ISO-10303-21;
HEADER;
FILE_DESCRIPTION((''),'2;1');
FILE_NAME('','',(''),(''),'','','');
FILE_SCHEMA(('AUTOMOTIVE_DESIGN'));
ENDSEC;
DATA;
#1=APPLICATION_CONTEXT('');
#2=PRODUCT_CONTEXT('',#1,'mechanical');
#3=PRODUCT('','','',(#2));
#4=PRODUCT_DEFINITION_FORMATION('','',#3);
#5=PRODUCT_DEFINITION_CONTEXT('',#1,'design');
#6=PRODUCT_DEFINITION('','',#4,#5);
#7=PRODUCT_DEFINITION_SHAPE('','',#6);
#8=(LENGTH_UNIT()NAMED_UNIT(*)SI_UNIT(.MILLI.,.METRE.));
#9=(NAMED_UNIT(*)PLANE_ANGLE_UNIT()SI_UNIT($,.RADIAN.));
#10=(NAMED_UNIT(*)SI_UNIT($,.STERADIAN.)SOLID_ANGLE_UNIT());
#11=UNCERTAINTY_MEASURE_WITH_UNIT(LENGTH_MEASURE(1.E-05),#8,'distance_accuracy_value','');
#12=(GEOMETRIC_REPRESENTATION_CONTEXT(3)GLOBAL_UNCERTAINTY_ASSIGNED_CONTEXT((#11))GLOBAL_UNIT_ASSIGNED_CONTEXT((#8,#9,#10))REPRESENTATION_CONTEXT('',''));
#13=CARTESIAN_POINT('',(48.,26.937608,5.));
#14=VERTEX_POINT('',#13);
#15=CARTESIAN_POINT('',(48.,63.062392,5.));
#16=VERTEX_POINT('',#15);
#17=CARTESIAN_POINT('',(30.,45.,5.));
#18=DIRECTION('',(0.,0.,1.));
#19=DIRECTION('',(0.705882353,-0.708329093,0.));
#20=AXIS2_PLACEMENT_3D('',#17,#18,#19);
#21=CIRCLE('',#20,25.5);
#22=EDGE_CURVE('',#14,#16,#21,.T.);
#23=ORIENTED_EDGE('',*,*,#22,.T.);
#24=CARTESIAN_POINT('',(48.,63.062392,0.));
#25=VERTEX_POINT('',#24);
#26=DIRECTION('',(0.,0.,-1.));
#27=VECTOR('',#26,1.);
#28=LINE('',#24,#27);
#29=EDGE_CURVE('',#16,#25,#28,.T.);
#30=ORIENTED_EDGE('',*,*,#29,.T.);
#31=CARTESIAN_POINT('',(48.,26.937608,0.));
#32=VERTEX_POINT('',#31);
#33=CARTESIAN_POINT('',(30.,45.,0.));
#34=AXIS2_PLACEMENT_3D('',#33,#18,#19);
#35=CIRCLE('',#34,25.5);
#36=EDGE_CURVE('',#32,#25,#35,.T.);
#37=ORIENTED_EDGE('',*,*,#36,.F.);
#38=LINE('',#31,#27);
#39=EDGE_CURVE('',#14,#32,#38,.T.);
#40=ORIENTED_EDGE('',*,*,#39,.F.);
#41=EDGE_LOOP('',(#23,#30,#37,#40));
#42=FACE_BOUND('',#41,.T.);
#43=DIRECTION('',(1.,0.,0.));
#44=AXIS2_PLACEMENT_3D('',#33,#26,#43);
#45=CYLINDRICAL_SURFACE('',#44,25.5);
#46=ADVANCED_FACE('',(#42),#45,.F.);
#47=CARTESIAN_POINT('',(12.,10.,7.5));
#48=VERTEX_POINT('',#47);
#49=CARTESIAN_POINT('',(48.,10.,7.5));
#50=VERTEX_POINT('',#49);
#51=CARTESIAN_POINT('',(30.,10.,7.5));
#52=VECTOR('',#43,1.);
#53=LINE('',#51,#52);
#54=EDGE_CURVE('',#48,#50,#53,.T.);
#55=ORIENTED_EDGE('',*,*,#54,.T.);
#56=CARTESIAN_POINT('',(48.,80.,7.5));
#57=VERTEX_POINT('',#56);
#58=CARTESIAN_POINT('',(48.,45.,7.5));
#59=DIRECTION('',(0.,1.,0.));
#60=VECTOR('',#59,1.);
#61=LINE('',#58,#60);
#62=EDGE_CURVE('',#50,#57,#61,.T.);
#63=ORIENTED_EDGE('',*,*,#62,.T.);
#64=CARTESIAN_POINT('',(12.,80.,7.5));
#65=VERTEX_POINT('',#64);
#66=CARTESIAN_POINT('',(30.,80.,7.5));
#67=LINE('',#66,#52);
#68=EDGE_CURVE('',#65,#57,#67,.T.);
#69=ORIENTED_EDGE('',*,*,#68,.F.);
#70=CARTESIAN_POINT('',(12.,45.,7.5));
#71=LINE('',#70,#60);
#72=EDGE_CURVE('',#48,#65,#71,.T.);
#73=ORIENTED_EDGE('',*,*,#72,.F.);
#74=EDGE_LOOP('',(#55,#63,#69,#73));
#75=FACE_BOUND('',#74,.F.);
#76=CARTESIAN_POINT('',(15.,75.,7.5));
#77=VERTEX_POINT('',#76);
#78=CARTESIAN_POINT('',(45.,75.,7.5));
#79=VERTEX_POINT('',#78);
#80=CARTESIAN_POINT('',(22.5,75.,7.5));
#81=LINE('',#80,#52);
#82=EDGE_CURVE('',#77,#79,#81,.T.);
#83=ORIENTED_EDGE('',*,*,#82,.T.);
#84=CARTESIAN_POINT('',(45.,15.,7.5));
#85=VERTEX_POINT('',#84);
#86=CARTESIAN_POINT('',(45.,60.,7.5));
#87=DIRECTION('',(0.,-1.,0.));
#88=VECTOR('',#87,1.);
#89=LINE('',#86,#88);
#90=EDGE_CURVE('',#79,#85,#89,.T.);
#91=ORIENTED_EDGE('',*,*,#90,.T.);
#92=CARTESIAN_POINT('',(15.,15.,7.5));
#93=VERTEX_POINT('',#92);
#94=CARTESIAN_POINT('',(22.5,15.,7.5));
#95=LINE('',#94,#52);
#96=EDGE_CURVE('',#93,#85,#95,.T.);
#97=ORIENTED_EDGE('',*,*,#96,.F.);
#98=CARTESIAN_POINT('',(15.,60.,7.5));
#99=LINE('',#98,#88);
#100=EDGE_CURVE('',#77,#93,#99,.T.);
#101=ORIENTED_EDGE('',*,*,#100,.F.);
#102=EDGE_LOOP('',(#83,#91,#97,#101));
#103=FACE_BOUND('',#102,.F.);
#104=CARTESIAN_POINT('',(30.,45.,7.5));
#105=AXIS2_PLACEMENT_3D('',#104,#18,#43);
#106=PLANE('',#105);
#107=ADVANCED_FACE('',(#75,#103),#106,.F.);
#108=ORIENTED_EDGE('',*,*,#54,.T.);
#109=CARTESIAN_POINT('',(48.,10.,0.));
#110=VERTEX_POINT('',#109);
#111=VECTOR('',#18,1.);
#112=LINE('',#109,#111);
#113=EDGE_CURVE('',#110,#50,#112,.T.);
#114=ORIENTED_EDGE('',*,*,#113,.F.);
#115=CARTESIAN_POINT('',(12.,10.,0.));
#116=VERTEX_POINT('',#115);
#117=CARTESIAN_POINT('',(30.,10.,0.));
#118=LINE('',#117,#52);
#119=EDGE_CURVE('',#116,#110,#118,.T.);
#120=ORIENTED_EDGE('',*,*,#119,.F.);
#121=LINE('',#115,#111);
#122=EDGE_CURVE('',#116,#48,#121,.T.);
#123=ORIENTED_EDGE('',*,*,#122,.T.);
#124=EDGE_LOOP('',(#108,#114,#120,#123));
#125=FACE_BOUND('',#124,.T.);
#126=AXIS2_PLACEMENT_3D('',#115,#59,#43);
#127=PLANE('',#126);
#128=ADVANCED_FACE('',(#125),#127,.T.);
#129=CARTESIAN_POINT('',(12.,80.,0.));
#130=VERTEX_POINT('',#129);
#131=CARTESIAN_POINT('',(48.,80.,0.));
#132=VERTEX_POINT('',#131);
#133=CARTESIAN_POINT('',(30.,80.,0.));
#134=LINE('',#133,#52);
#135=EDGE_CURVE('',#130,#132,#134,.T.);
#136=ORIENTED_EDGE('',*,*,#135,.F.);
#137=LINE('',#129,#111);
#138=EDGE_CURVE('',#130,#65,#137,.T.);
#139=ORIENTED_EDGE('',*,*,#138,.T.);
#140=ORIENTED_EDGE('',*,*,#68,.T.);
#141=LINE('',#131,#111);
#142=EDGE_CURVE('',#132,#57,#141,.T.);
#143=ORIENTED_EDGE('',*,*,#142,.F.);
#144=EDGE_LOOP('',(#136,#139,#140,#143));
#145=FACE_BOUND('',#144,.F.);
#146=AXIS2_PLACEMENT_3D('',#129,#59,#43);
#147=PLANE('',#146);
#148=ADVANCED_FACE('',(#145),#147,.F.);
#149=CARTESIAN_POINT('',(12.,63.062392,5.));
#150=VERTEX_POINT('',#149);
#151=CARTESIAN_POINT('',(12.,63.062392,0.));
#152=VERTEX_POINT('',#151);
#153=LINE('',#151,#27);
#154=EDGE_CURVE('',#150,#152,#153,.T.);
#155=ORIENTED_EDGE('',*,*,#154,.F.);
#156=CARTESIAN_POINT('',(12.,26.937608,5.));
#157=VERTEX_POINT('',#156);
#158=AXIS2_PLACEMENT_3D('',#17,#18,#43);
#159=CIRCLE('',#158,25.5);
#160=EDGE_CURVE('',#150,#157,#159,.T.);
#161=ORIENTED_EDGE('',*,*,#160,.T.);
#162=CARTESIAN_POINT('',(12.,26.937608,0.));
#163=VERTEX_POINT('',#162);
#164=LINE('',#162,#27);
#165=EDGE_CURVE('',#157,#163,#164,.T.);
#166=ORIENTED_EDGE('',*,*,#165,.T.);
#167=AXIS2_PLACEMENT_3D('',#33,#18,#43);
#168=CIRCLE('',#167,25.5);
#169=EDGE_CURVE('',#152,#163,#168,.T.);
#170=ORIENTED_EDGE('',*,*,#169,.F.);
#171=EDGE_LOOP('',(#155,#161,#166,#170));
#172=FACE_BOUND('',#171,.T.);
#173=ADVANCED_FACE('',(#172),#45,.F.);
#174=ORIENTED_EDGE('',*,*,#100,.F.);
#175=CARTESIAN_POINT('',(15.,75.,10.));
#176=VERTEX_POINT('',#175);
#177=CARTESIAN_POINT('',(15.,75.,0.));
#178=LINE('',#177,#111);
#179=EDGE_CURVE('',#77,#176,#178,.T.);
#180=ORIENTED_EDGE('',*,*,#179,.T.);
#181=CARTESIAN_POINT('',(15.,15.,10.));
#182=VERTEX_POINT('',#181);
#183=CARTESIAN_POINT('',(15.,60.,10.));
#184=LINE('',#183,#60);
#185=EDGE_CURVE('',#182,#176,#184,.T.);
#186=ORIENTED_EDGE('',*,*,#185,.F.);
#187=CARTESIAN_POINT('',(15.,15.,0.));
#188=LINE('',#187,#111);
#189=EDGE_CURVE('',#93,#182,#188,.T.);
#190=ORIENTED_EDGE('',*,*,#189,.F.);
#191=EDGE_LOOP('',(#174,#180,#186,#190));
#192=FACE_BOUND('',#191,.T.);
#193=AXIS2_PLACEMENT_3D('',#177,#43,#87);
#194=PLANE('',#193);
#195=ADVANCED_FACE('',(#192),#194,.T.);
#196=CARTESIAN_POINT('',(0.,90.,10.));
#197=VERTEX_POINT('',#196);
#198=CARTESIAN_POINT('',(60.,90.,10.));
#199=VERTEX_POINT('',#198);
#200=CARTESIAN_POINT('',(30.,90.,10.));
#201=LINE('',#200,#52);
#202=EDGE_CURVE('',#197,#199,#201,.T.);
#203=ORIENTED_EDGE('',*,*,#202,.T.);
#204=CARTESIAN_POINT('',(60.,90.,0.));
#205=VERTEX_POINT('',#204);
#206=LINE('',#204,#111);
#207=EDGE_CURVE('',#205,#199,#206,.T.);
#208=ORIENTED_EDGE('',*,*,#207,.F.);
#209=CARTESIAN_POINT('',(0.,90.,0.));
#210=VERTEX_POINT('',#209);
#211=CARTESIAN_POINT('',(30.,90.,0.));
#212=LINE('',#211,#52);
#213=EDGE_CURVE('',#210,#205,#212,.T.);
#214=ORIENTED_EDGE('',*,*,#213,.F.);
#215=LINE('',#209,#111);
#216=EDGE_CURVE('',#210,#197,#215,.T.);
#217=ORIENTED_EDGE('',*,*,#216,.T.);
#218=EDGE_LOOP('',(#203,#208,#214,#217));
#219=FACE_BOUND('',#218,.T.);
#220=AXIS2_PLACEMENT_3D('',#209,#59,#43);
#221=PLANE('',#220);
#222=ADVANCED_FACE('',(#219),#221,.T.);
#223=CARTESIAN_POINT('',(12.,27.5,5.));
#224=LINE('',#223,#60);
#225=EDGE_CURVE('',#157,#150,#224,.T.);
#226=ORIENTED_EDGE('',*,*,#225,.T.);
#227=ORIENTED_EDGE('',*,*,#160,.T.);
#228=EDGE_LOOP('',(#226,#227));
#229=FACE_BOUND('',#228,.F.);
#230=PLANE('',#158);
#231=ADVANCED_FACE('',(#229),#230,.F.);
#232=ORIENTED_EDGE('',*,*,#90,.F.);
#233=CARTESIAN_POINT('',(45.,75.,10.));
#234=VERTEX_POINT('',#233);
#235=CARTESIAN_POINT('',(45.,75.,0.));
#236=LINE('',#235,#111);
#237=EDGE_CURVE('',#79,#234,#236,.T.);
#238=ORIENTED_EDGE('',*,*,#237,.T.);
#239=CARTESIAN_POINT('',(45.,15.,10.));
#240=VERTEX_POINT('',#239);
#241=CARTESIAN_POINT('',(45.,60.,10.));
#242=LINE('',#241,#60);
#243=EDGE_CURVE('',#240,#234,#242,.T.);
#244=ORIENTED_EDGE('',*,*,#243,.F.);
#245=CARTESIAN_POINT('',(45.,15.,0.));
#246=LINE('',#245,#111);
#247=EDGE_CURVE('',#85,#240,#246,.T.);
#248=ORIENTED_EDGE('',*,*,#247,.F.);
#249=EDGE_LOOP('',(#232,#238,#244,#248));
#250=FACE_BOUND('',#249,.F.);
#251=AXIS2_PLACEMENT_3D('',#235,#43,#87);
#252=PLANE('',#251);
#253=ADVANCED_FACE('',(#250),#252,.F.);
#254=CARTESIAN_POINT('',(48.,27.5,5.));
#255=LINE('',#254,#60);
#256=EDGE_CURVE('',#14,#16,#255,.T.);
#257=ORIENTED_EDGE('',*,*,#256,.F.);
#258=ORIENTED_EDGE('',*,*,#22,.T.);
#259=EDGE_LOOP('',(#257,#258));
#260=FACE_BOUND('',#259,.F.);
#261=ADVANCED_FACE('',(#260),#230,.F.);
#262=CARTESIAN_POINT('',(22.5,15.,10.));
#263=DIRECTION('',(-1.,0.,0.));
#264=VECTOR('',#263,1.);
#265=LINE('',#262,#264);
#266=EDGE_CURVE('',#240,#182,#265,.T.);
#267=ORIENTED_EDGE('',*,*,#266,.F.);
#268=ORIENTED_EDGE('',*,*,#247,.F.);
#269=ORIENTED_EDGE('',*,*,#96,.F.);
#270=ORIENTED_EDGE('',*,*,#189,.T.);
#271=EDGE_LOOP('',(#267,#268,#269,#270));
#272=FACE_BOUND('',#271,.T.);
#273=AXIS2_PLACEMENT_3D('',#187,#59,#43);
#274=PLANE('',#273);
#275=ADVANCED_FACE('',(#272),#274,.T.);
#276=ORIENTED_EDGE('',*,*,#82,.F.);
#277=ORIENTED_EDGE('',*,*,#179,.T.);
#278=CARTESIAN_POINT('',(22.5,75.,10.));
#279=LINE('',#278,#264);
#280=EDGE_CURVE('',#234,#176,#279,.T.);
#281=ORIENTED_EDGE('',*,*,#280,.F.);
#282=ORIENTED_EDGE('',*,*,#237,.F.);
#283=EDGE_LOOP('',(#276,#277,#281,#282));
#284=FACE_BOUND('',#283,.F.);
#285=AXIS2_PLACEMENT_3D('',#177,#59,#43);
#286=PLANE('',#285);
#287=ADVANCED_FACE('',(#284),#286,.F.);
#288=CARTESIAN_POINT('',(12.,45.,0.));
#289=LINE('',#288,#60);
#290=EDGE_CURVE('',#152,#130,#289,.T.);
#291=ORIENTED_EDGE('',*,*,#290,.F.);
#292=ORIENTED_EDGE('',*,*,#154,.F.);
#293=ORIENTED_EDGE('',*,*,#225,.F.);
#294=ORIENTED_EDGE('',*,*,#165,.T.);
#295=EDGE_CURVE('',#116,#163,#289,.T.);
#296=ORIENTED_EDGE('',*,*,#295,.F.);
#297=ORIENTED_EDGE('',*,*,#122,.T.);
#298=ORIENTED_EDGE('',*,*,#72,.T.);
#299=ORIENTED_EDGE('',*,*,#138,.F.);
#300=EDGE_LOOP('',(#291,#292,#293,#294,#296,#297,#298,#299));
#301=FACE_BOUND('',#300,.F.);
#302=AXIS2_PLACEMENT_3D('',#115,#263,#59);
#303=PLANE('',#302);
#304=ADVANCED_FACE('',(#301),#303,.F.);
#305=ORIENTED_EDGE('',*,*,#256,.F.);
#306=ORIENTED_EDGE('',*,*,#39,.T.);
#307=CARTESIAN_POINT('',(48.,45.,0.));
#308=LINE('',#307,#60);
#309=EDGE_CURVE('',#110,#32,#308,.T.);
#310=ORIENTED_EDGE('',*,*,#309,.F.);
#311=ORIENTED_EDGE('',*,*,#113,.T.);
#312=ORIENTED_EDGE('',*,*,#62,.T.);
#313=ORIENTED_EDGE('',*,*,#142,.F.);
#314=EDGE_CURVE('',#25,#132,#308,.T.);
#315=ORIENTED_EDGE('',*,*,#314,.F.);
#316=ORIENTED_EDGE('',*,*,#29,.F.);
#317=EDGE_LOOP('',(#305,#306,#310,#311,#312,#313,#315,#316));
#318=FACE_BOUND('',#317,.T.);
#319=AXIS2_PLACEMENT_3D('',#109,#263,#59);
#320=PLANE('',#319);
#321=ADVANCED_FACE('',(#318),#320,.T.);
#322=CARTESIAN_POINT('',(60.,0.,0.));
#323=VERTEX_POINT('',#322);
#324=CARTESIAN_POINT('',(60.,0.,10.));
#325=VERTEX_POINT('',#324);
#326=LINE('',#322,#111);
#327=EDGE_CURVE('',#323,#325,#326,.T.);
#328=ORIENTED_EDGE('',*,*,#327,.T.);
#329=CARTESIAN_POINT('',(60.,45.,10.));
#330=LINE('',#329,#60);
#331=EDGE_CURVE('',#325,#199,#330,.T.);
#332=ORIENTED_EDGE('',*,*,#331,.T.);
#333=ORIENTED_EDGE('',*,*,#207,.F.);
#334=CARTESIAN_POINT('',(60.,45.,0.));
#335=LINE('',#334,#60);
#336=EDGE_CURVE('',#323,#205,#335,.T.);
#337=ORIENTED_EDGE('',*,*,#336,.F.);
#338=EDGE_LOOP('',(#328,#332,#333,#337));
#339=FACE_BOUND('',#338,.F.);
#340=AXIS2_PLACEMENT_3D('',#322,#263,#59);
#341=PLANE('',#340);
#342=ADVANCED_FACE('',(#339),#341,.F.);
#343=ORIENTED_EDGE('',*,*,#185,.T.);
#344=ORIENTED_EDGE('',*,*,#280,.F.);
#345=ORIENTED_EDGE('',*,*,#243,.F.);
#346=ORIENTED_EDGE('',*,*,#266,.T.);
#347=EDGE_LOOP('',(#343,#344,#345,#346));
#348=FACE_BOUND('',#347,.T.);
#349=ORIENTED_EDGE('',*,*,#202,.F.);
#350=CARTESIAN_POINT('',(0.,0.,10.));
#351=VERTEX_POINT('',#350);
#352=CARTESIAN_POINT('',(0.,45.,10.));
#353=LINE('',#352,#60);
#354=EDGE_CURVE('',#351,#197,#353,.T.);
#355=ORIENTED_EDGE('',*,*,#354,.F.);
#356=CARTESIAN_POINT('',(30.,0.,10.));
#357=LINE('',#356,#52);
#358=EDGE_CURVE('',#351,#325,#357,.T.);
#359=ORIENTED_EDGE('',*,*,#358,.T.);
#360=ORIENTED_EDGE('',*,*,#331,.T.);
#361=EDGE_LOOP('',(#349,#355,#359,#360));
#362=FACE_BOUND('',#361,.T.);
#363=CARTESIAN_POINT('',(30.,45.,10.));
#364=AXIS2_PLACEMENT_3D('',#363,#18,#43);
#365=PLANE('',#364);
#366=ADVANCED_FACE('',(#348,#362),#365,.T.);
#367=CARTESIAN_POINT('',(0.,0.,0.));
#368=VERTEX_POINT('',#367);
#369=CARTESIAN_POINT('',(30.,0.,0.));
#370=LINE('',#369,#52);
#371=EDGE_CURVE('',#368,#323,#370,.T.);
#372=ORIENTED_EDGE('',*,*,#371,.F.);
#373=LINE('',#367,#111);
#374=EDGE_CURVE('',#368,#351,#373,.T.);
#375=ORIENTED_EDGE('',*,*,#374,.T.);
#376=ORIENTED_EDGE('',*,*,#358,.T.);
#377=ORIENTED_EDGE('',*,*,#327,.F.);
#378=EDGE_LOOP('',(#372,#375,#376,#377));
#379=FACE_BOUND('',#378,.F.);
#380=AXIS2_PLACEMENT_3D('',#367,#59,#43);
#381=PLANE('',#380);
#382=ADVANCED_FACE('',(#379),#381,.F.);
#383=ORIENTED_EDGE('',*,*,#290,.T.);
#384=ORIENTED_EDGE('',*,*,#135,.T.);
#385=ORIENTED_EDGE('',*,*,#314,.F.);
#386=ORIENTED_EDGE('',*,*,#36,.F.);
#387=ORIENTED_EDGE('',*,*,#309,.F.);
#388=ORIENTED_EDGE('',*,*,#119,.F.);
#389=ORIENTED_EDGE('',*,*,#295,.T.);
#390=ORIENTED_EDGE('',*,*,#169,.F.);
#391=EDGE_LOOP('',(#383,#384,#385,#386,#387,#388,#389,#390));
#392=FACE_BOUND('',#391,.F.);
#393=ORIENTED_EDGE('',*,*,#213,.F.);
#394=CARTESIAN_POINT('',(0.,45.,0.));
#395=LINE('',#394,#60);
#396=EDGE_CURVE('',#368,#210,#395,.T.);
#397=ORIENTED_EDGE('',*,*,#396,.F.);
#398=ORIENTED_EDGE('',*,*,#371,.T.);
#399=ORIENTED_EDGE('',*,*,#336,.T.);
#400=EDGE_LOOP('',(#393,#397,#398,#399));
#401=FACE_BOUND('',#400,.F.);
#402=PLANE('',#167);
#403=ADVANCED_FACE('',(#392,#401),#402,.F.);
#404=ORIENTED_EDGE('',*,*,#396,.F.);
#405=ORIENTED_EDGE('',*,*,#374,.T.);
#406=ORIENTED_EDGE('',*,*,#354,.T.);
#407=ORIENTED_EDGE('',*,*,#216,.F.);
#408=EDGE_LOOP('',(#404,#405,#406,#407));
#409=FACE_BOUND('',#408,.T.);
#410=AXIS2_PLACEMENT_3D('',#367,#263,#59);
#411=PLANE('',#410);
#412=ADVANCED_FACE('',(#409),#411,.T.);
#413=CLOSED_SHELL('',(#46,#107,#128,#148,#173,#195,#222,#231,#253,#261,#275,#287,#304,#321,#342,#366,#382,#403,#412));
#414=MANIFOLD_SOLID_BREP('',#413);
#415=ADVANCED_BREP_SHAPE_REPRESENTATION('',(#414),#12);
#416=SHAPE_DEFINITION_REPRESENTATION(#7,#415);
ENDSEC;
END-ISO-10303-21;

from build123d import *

# Parameters (mm, degrees)
SKETCH_W        = 60
SKETCH_H        = 90
PAD_DEPTH       = 10
SKETCH001_W     = 30
SKETCH001_H     = 60
POCKET_DEPTH    = 10.001
SKETCH002_W     = 36
SKETCH002_H     = 70
POCKET001_DEPTH = 7.5
SKETCH003_R     = 25.5
POCKET002_DEPTH = 5


with BuildPart() as part:
    # Sketch → Pad (new body)
    with BuildSketch(Plane.XY):
        with Locations((30, 45)):
            Rectangle(SKETCH_W, SKETCH_H)
    extrude(amount=PAD_DEPTH)

    # Sketch001 (on Face5 of Pad) → Pocket (cut, through all)
    with BuildSketch(Plane(origin=(0, 0, 0), x_dir=(1, 0, 0), z_dir=(0, 0, -1))):
        with Locations((30, -45)):
            Rectangle(SKETCH001_W, SKETCH001_H)
    extrude(amount=-POCKET_DEPTH, mode=Mode.SUBTRACT)

    # Sketch002 → Pocket001 (cut)
    with BuildSketch(Plane.XY):
        with Locations((30, 45)):
            Rectangle(SKETCH002_W, SKETCH002_H)
    extrude(amount=POCKET001_DEPTH, mode=Mode.SUBTRACT)

    # Sketch003 → Pocket002 (cut)
    with BuildSketch(Plane.XY):
        with Locations((30, 45)):
            Circle(SKETCH003_R)
    extrude(amount=POCKET002_DEPTH, mode=Mode.SUBTRACT)


solid = part.part
